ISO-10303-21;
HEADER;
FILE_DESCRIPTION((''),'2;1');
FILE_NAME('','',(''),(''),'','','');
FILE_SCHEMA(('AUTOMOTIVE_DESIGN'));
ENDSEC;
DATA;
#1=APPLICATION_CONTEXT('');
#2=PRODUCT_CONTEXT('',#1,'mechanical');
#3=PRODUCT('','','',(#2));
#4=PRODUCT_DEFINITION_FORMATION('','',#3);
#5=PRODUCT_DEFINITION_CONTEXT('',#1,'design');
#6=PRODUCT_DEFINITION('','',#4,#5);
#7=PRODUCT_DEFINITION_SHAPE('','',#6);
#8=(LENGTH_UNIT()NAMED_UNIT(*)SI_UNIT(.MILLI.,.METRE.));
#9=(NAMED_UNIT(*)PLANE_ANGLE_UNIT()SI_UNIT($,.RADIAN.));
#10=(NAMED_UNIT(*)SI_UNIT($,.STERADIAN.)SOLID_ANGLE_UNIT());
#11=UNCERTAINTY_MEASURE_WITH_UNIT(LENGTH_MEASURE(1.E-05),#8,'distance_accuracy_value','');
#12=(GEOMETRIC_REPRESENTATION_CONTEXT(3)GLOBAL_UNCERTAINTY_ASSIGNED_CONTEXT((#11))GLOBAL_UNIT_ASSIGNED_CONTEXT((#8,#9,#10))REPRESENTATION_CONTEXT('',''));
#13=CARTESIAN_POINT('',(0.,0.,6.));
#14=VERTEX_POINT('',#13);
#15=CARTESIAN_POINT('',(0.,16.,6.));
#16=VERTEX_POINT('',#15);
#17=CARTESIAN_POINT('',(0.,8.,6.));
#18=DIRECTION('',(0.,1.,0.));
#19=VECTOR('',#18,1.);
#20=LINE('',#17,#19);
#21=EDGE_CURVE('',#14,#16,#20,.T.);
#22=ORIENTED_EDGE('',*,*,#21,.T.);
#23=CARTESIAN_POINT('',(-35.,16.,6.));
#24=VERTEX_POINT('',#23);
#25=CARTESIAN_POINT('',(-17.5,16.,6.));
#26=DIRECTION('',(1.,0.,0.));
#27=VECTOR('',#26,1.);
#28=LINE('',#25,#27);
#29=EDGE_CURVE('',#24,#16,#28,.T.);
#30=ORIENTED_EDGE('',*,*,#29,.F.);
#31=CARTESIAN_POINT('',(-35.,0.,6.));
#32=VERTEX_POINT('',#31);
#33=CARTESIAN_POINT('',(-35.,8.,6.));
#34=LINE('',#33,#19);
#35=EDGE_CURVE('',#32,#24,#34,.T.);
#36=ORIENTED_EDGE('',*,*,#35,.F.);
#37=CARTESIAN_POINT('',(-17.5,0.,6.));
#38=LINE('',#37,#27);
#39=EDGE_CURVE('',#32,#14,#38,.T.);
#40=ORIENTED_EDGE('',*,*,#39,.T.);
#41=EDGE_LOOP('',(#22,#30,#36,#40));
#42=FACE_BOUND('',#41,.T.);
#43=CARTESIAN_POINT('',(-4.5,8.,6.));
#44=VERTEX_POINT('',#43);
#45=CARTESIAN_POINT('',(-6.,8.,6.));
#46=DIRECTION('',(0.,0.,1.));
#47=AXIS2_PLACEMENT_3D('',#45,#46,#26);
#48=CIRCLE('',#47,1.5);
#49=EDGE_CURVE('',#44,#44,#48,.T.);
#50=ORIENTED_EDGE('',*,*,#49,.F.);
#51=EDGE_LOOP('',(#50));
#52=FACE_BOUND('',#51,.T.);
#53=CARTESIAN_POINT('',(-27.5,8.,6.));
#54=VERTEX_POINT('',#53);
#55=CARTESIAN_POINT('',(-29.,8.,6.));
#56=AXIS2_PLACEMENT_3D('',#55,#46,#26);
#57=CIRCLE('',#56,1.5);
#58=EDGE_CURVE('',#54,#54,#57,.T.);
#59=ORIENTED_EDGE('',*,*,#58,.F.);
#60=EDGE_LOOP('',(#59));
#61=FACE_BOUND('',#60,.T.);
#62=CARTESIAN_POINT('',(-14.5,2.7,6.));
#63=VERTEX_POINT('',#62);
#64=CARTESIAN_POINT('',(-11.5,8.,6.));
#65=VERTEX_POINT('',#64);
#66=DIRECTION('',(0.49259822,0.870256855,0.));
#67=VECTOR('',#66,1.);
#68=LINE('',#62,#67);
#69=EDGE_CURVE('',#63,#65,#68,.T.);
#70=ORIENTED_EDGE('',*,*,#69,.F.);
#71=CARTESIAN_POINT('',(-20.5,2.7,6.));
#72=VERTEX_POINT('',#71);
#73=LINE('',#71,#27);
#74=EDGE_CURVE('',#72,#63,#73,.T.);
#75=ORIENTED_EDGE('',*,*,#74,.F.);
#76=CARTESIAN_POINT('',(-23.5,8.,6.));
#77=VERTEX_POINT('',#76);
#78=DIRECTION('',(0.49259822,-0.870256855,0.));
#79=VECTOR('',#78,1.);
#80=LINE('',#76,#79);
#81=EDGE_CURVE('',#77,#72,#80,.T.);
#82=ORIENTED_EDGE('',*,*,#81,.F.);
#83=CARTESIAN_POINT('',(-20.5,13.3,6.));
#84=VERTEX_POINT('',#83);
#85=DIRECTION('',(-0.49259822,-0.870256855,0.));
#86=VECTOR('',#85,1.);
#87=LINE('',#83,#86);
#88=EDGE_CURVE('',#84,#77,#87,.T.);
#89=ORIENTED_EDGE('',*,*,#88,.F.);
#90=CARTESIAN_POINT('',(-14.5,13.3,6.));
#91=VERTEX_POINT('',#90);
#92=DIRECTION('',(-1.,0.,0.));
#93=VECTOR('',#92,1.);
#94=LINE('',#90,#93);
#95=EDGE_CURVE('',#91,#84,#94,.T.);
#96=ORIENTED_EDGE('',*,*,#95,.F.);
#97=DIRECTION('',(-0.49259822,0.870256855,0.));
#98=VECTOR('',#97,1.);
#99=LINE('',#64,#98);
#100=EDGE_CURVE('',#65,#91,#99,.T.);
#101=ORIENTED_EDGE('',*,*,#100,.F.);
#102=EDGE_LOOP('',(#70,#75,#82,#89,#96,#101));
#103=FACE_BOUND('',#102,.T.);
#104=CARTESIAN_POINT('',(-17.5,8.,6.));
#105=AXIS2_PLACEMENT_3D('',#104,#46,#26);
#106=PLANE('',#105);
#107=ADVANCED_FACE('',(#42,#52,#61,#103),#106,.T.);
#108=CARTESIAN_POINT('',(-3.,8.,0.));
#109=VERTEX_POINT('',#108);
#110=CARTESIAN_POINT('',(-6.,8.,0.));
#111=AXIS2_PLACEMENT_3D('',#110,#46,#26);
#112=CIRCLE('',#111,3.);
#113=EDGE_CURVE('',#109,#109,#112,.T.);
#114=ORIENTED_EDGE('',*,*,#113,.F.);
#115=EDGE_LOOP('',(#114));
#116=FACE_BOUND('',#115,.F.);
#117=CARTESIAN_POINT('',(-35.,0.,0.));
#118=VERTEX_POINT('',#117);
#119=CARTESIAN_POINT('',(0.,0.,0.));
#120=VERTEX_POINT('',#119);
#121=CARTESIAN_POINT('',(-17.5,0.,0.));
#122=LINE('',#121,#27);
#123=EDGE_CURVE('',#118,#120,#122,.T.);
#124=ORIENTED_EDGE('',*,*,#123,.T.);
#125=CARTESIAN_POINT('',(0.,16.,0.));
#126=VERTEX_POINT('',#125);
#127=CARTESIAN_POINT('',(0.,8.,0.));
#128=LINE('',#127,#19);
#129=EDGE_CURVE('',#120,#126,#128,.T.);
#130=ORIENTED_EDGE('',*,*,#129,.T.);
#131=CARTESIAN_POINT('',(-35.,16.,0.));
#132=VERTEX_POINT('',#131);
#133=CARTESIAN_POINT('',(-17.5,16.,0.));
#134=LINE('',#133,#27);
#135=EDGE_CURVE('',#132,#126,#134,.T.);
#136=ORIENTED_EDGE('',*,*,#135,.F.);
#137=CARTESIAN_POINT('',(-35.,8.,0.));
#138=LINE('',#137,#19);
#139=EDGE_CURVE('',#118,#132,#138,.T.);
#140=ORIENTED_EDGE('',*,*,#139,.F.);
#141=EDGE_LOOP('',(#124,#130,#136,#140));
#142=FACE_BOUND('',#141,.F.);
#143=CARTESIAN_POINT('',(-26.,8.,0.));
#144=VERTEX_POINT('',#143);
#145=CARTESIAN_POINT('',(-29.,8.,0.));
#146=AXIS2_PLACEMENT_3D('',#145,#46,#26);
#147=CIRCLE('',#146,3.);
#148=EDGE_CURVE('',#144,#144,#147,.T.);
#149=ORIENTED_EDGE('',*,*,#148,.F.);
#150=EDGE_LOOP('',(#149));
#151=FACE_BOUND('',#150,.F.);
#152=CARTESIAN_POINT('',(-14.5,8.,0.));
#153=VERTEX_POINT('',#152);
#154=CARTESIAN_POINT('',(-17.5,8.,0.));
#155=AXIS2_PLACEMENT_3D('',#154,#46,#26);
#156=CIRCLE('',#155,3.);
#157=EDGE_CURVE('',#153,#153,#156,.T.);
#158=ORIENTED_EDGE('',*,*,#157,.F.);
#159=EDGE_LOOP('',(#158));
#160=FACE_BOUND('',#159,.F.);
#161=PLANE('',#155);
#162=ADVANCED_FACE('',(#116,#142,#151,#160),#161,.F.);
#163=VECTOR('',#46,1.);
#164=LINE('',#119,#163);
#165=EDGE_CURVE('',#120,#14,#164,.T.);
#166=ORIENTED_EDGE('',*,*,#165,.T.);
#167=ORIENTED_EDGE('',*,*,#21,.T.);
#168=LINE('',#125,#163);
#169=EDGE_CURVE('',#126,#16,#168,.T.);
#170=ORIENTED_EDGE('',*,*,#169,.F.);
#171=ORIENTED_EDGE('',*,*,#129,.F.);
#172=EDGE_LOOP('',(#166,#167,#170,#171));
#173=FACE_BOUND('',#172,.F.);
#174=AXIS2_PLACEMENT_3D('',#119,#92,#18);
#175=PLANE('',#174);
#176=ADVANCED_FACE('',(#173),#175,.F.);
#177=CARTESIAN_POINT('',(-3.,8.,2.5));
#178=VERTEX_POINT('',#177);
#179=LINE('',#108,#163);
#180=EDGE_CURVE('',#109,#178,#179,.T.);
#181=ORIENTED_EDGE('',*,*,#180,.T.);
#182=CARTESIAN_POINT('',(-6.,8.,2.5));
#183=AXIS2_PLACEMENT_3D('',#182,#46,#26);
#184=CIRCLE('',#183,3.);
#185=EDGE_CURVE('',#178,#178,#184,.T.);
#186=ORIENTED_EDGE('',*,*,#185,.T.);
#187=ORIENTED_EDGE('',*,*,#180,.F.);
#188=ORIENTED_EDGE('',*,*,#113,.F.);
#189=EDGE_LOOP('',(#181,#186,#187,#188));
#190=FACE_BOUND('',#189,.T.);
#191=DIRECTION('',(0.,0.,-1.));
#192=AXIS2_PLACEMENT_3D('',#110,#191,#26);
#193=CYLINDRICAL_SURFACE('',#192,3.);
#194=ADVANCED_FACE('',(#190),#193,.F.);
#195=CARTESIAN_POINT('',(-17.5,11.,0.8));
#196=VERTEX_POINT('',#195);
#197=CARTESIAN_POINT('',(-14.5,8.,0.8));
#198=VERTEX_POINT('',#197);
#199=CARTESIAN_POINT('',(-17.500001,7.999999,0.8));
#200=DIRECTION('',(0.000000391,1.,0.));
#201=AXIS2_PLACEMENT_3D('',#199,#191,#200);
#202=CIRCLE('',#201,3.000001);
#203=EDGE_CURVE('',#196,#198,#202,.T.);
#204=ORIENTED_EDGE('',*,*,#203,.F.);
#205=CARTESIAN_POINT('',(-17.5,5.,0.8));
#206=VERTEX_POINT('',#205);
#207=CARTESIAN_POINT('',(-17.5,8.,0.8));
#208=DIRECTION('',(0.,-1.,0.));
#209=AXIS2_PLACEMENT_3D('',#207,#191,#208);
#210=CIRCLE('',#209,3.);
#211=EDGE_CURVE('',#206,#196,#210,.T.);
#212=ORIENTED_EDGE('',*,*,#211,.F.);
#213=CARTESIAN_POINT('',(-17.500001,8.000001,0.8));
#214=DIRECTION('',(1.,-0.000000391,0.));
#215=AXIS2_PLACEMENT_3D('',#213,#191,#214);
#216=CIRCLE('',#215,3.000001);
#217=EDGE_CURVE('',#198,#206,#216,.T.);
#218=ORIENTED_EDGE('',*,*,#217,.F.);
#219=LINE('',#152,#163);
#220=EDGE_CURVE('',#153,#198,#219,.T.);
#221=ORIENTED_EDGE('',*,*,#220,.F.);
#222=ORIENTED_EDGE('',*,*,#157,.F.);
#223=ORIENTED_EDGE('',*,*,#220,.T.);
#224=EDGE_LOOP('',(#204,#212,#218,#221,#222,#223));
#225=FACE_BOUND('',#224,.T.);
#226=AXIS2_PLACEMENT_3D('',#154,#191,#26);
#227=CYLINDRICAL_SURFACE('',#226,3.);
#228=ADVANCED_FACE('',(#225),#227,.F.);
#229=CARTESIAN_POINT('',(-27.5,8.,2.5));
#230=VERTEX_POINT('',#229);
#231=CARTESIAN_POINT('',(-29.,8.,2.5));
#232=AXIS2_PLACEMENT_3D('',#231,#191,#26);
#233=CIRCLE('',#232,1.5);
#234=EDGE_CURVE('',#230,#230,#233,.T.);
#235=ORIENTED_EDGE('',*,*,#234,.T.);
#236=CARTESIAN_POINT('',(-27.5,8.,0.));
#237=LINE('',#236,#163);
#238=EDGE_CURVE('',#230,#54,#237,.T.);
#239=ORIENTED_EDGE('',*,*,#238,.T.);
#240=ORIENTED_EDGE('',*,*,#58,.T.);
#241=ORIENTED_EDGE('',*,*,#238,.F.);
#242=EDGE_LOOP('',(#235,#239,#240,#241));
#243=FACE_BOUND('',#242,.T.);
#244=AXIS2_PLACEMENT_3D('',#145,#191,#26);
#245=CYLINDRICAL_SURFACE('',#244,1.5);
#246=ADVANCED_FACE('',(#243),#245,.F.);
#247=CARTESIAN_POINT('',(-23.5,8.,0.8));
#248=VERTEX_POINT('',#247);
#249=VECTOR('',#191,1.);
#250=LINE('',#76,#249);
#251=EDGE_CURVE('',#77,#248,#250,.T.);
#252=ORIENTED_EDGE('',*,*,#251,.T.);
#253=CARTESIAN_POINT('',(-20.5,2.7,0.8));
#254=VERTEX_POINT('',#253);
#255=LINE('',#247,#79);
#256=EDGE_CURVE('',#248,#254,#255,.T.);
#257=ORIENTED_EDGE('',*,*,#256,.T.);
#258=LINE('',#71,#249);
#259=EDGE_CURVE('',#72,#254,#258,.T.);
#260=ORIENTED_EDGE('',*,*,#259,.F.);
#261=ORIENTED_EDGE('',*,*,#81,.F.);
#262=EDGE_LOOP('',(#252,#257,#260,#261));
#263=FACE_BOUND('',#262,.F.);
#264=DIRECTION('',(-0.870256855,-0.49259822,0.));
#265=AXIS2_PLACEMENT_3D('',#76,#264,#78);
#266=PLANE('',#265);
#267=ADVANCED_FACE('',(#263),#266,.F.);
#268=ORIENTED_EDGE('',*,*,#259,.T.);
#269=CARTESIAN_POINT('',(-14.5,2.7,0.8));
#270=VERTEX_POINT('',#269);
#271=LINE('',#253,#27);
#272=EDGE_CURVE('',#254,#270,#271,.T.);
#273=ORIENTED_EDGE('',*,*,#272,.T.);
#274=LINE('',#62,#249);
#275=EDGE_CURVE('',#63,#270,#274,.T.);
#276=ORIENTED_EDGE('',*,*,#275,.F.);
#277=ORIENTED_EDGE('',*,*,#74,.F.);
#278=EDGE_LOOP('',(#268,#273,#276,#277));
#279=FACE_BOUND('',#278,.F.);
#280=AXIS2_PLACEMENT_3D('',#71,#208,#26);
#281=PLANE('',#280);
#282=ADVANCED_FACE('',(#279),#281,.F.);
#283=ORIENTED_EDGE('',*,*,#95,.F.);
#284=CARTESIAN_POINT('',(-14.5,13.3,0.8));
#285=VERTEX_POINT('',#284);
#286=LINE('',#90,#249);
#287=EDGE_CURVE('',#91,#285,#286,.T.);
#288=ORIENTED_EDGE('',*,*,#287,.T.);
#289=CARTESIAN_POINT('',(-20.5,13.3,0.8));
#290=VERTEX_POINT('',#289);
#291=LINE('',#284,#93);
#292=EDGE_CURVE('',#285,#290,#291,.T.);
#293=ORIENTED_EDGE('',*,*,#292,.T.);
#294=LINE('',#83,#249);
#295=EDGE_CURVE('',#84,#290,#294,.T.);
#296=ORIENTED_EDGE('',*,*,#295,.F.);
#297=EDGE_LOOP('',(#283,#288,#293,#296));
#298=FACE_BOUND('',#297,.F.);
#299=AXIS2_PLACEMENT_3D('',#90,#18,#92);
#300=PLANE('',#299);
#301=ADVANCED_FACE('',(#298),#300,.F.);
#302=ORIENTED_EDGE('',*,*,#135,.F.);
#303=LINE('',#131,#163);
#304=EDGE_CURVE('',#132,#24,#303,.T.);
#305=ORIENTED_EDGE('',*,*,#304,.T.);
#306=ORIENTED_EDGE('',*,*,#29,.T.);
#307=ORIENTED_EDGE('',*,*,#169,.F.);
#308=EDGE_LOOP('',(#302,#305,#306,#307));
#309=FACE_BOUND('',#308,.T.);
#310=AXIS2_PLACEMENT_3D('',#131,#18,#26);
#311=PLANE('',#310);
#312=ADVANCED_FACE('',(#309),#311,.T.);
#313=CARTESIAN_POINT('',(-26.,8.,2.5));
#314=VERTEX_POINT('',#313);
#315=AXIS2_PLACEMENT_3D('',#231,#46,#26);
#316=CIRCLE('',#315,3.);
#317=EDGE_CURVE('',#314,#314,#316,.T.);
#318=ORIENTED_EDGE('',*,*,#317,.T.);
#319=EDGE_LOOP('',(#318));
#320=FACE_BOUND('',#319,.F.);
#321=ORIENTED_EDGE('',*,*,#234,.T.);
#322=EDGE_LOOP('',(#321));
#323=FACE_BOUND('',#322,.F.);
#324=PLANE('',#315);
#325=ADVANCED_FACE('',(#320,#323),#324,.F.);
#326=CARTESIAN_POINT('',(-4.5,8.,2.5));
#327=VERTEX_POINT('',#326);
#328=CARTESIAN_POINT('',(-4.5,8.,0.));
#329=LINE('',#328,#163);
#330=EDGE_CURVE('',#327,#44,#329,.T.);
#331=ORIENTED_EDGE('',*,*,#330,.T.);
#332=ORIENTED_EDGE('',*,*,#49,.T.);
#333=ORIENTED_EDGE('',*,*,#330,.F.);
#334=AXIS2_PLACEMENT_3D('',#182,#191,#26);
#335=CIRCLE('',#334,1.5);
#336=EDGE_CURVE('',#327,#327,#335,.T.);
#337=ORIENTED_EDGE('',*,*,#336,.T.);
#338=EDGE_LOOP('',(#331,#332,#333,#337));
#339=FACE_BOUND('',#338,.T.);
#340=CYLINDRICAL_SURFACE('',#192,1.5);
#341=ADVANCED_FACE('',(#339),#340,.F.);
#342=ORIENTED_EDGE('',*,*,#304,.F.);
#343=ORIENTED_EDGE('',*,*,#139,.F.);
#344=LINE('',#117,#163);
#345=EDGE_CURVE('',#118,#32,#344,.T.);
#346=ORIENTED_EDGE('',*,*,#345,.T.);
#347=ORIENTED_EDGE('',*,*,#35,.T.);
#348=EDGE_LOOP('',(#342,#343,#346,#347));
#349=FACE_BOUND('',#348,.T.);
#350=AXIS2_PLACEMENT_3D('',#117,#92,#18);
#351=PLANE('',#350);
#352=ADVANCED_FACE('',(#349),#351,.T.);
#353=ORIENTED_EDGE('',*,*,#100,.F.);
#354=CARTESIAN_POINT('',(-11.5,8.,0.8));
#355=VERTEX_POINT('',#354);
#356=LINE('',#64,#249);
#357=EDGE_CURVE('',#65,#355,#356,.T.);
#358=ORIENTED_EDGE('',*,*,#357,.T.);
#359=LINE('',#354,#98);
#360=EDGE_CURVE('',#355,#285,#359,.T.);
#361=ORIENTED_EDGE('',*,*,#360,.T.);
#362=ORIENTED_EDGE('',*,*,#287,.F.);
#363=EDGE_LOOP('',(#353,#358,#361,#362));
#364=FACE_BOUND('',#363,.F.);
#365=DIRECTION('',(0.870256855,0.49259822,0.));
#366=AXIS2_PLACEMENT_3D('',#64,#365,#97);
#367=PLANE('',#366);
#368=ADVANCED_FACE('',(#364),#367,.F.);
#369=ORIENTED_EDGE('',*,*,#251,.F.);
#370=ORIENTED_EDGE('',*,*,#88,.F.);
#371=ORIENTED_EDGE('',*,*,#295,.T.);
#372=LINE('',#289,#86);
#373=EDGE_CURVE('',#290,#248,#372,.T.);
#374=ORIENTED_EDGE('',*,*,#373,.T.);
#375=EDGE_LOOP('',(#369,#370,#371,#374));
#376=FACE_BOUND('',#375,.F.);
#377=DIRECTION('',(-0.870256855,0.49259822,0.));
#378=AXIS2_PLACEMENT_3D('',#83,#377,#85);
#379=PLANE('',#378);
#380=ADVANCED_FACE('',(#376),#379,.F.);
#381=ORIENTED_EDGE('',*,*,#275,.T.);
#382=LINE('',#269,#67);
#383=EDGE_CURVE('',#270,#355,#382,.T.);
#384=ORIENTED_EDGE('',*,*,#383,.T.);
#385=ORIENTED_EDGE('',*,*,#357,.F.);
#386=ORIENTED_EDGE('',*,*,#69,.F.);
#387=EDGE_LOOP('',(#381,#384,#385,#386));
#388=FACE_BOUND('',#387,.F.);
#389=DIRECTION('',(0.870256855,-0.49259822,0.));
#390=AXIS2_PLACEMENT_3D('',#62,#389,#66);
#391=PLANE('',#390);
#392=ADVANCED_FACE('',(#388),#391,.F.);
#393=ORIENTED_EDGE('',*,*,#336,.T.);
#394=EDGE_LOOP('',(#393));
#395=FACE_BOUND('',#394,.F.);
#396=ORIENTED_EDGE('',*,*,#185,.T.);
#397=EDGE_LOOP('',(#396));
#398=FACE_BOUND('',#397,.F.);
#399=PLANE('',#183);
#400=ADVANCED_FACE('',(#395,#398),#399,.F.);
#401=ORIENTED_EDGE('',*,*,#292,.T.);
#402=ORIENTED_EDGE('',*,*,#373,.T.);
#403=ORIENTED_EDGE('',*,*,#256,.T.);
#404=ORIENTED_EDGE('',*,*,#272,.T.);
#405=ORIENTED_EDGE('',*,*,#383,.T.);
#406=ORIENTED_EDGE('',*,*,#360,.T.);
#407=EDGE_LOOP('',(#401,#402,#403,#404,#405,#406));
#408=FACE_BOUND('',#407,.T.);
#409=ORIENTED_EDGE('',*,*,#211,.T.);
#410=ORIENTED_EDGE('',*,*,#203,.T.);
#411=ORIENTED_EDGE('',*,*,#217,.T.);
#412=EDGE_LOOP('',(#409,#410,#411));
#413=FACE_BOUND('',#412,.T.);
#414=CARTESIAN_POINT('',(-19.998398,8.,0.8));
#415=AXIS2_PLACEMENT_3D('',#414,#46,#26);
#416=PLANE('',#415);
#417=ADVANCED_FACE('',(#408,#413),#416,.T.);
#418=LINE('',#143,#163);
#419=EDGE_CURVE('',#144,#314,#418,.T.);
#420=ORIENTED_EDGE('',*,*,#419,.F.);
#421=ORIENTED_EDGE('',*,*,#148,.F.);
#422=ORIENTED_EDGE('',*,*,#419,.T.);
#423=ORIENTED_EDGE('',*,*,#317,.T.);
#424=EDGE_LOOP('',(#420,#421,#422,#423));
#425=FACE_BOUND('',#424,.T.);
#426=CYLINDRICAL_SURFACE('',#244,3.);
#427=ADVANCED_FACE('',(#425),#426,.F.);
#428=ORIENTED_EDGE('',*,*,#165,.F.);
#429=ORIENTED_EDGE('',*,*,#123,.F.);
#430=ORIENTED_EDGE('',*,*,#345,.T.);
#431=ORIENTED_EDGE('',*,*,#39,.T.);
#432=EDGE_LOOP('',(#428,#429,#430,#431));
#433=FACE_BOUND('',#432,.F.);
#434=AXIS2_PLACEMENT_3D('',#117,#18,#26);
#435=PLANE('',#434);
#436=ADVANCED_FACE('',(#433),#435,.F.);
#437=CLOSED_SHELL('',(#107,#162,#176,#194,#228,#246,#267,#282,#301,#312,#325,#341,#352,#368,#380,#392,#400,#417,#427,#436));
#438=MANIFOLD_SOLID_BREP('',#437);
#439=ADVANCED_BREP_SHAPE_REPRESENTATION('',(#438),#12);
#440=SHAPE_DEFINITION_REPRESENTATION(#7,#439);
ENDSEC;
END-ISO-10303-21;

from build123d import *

# Parameters (mm, degrees)
F0_W     = 35
F0_H     = 16
F0_R     = 1.5
F0_R_2   = 3
F1_DEPTH = 6
F3_DEPTH = 5.2
F4_R     = 3
F5_DEPTH = 2.5


with BuildPart() as f1:
    # F0 (on Top) → F1 (new body)
    with BuildSketch(Plane.XY):
        with Locations((-17.5, 8)):
            Rectangle(F0_W, F0_H)
        with Locations((-29, 8)):
            Circle(F0_R, mode=Mode.SUBTRACT)
        with Locations((-17.5, 8)):
            Circle(F0_R_2, mode=Mode.SUBTRACT)
        with Locations((-6, 8)):
            Circle(F0_R, mode=Mode.SUBTRACT)
    extrude(amount=F1_DEPTH)

    # F2 (on face) → F3 (cut)
    with BuildSketch(Plane.XY.offset(6)):
        with BuildLine():
            Line((-20.5, 2.7), (-17.5, 2.7))
            Line((-17.5, 2.7), (-17.5, 5))
            ThreePointArc((-17.5, 5), (-20.5, 8), (-17.5, 11))
            Line((-17.5, 11), (-17.5, 13.3))
            Line((-17.5, 13.3), (-20.5, 13.3))
            Line((-20.5, 13.3), (-23.5, 8))
            Line((-23.5, 8), (-20.5, 2.7))
        make_face()
        with BuildLine():
            ThreePointArc((-17.5, 11), (-15.37868, 10.12132), (-14.5, 8))
            Line((-14.5, 8), (-11.5, 8))
            Line((-11.5, 8), (-14.5, 13.3))
            Line((-14.5, 13.3), (-17.5, 13.3))
            Line((-17.5, 13.3), (-17.5, 11))
        make_face()
        with BuildLine():
            Line((-17.5, 5), (-17.5, 2.7))
            Line((-17.5, 2.7), (-14.5, 2.7))
            Line((-14.5, 2.7), (-11.5, 8))
            Line((-11.5, 8), (-14.5, 8))
            ThreePointArc((-14.5, 8), (-15.37868, 5.87868), (-17.5, 5))
        make_face()
    extrude(amount=-F3_DEPTH, mode=Mode.SUBTRACT)

    # F4 (on Top) → F5 (cut)
    with BuildSketch(Plane.XY):
        with Locations((-29, 8)):
            Circle(F4_R)
        with Locations((-6, 8)):
            Circle(F4_R)
    extrude(amount=F5_DEPTH, mode=Mode.SUBTRACT)


solid = f1.part
